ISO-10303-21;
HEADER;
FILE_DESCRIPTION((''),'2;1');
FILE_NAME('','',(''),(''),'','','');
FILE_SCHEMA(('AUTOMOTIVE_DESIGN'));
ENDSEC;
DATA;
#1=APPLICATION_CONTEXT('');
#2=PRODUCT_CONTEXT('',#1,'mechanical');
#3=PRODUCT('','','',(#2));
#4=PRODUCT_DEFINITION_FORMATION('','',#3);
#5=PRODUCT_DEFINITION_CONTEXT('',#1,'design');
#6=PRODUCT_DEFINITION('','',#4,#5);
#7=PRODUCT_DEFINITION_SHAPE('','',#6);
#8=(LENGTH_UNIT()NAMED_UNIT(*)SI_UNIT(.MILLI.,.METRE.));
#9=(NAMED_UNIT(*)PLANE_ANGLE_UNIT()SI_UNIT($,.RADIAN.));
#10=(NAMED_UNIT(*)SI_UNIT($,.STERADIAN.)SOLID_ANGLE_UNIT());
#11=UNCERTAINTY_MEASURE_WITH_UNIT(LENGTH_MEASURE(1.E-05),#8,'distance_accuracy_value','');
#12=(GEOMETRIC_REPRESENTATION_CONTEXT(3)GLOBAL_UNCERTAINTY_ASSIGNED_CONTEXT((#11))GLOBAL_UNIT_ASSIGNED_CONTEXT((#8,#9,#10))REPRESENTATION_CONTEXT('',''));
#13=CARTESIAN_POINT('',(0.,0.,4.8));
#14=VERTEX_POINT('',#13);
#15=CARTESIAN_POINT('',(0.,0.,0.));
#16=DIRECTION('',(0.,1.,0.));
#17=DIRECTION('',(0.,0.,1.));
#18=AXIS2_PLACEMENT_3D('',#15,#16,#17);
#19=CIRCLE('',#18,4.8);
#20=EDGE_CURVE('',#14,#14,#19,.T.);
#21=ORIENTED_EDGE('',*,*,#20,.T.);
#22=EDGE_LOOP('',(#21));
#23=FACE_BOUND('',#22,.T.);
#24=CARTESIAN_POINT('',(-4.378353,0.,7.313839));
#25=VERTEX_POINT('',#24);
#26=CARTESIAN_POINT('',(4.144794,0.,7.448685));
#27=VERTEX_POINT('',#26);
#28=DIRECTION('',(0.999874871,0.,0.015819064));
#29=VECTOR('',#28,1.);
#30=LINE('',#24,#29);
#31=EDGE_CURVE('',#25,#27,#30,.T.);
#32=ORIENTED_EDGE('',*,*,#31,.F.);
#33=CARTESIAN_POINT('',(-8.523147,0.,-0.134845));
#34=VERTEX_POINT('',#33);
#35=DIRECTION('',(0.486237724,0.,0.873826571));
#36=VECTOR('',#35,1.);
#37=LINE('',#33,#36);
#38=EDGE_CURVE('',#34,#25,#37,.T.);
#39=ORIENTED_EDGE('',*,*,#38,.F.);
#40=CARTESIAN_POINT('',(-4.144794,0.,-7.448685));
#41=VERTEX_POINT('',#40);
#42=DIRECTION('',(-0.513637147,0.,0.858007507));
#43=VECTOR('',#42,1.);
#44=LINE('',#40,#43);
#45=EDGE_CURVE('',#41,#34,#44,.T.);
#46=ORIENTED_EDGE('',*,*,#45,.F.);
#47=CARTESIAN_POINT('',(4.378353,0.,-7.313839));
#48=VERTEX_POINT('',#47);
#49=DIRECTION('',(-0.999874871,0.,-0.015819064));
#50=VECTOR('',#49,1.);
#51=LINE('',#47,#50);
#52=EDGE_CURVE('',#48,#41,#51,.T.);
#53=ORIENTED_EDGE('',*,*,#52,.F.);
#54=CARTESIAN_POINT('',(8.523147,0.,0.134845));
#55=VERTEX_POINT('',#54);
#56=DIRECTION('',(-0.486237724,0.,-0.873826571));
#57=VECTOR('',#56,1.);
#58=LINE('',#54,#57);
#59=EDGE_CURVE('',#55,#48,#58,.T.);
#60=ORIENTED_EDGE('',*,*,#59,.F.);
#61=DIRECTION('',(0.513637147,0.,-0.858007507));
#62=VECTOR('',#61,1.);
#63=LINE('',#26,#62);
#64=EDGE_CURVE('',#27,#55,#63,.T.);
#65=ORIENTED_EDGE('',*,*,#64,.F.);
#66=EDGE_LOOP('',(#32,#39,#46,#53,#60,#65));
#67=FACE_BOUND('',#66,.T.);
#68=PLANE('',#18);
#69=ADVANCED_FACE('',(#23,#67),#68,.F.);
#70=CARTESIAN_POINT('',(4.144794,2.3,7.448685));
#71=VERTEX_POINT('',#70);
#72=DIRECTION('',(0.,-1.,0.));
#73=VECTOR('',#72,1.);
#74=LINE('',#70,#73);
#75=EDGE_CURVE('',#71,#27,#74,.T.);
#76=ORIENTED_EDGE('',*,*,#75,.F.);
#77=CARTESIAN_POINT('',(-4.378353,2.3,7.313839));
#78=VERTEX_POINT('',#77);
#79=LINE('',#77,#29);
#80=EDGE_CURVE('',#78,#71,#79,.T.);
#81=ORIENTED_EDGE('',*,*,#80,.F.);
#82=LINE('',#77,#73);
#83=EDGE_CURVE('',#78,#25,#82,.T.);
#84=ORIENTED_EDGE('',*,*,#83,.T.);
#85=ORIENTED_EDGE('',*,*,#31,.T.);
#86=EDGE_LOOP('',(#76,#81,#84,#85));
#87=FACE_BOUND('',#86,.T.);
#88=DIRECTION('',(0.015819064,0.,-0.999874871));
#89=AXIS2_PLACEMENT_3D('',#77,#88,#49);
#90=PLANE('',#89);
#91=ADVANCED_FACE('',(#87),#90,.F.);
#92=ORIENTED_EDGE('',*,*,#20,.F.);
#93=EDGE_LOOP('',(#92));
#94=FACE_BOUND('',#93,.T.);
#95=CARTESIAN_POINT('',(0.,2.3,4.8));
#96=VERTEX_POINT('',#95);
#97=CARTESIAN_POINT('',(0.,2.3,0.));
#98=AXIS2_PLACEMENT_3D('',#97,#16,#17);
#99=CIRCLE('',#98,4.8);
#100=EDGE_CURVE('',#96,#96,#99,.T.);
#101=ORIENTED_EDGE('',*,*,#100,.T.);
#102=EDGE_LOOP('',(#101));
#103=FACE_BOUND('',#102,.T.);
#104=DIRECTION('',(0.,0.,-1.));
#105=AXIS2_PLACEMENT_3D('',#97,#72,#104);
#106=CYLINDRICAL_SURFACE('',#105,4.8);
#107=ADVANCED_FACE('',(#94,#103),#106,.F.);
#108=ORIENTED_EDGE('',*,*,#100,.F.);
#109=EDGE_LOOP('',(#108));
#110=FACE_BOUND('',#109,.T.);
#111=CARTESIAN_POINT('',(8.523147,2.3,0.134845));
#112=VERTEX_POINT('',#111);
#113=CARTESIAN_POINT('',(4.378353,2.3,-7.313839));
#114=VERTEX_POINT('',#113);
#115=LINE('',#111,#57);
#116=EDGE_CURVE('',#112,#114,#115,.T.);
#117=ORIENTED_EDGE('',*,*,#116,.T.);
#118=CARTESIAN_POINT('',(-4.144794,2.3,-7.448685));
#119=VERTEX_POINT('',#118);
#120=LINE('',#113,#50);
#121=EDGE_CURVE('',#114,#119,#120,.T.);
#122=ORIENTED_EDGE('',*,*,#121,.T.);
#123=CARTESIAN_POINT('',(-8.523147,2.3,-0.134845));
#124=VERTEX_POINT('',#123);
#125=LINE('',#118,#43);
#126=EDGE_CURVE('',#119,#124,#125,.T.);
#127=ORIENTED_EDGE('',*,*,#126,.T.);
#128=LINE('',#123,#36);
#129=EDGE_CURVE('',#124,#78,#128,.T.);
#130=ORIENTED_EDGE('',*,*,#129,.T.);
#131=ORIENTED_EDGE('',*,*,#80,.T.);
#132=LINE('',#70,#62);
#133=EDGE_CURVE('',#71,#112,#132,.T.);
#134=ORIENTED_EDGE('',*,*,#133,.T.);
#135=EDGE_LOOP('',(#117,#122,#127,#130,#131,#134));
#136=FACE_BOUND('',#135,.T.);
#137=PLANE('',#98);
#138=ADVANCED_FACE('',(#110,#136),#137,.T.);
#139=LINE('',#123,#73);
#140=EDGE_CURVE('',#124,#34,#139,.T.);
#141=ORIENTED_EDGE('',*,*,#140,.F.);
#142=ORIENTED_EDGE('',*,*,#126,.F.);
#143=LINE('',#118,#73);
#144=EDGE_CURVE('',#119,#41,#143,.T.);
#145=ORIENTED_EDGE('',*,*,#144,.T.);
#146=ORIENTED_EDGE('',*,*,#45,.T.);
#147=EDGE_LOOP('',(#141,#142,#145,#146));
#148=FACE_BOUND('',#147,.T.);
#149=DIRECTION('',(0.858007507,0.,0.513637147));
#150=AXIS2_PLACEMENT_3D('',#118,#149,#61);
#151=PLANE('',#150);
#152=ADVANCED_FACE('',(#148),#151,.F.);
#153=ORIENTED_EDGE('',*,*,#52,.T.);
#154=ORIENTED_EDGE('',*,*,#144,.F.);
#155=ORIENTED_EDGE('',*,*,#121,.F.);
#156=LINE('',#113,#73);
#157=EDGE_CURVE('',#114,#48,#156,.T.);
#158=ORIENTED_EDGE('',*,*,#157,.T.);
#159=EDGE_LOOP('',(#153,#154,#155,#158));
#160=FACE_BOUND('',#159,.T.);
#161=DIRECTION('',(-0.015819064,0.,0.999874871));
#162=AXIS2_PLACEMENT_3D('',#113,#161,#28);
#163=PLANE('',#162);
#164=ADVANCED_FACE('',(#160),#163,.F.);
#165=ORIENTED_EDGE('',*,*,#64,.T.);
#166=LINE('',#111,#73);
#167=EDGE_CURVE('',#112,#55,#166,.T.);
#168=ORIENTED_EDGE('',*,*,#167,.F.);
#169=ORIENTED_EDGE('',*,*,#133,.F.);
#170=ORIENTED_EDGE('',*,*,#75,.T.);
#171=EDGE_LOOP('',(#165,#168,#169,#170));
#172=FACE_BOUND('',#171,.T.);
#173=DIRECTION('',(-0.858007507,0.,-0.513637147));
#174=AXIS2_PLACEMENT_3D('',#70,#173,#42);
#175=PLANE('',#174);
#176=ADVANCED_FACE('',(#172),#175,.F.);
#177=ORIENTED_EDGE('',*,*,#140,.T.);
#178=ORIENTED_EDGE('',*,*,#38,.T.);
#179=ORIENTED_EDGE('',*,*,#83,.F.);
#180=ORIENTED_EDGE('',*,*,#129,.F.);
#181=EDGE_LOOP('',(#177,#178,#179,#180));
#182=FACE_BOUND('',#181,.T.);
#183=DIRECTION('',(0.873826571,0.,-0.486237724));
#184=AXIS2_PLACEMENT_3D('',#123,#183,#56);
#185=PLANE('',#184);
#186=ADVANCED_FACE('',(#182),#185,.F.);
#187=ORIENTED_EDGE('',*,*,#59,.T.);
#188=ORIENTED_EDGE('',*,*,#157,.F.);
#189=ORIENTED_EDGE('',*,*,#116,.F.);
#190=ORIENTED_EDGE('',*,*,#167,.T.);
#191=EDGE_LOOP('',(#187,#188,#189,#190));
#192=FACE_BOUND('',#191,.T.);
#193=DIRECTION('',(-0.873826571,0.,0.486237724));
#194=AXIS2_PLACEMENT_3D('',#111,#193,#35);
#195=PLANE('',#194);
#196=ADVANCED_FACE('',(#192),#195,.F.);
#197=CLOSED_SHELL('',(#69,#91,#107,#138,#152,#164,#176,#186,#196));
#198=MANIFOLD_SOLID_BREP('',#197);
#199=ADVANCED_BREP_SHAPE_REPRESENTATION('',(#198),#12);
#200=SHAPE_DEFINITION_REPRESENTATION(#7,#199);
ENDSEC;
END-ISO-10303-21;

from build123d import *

# Parameters (mm, degrees)
SKETCH1_R           = 4.8
BOSS_EXTRUDE1_DEPTH = 2.3


with BuildPart() as part:
    # Sketch1 → Boss-Extrude1 (new body)
    with BuildSketch(Plane(origin=(0, 0, 0), x_dir=(1, 0, 0), z_dir=(0, 1, 0))):
        Polygon((-4.378352848, -7.313839416), (4.14479431, -7.448684501), (8.523147158, -0.134845085), (4.378352848, 7.313839416), (-4.14479431, 7.448684501), (-8.523147158, 0.134845085), align=None)
        with Locations(Location((0, 0, 0), (0, 0, 270))):
            Circle(SKETCH1_R, mode=Mode.SUBTRACT)
    extrude(amount=BOSS_EXTRUDE1_DEPTH)


solid = part.part
